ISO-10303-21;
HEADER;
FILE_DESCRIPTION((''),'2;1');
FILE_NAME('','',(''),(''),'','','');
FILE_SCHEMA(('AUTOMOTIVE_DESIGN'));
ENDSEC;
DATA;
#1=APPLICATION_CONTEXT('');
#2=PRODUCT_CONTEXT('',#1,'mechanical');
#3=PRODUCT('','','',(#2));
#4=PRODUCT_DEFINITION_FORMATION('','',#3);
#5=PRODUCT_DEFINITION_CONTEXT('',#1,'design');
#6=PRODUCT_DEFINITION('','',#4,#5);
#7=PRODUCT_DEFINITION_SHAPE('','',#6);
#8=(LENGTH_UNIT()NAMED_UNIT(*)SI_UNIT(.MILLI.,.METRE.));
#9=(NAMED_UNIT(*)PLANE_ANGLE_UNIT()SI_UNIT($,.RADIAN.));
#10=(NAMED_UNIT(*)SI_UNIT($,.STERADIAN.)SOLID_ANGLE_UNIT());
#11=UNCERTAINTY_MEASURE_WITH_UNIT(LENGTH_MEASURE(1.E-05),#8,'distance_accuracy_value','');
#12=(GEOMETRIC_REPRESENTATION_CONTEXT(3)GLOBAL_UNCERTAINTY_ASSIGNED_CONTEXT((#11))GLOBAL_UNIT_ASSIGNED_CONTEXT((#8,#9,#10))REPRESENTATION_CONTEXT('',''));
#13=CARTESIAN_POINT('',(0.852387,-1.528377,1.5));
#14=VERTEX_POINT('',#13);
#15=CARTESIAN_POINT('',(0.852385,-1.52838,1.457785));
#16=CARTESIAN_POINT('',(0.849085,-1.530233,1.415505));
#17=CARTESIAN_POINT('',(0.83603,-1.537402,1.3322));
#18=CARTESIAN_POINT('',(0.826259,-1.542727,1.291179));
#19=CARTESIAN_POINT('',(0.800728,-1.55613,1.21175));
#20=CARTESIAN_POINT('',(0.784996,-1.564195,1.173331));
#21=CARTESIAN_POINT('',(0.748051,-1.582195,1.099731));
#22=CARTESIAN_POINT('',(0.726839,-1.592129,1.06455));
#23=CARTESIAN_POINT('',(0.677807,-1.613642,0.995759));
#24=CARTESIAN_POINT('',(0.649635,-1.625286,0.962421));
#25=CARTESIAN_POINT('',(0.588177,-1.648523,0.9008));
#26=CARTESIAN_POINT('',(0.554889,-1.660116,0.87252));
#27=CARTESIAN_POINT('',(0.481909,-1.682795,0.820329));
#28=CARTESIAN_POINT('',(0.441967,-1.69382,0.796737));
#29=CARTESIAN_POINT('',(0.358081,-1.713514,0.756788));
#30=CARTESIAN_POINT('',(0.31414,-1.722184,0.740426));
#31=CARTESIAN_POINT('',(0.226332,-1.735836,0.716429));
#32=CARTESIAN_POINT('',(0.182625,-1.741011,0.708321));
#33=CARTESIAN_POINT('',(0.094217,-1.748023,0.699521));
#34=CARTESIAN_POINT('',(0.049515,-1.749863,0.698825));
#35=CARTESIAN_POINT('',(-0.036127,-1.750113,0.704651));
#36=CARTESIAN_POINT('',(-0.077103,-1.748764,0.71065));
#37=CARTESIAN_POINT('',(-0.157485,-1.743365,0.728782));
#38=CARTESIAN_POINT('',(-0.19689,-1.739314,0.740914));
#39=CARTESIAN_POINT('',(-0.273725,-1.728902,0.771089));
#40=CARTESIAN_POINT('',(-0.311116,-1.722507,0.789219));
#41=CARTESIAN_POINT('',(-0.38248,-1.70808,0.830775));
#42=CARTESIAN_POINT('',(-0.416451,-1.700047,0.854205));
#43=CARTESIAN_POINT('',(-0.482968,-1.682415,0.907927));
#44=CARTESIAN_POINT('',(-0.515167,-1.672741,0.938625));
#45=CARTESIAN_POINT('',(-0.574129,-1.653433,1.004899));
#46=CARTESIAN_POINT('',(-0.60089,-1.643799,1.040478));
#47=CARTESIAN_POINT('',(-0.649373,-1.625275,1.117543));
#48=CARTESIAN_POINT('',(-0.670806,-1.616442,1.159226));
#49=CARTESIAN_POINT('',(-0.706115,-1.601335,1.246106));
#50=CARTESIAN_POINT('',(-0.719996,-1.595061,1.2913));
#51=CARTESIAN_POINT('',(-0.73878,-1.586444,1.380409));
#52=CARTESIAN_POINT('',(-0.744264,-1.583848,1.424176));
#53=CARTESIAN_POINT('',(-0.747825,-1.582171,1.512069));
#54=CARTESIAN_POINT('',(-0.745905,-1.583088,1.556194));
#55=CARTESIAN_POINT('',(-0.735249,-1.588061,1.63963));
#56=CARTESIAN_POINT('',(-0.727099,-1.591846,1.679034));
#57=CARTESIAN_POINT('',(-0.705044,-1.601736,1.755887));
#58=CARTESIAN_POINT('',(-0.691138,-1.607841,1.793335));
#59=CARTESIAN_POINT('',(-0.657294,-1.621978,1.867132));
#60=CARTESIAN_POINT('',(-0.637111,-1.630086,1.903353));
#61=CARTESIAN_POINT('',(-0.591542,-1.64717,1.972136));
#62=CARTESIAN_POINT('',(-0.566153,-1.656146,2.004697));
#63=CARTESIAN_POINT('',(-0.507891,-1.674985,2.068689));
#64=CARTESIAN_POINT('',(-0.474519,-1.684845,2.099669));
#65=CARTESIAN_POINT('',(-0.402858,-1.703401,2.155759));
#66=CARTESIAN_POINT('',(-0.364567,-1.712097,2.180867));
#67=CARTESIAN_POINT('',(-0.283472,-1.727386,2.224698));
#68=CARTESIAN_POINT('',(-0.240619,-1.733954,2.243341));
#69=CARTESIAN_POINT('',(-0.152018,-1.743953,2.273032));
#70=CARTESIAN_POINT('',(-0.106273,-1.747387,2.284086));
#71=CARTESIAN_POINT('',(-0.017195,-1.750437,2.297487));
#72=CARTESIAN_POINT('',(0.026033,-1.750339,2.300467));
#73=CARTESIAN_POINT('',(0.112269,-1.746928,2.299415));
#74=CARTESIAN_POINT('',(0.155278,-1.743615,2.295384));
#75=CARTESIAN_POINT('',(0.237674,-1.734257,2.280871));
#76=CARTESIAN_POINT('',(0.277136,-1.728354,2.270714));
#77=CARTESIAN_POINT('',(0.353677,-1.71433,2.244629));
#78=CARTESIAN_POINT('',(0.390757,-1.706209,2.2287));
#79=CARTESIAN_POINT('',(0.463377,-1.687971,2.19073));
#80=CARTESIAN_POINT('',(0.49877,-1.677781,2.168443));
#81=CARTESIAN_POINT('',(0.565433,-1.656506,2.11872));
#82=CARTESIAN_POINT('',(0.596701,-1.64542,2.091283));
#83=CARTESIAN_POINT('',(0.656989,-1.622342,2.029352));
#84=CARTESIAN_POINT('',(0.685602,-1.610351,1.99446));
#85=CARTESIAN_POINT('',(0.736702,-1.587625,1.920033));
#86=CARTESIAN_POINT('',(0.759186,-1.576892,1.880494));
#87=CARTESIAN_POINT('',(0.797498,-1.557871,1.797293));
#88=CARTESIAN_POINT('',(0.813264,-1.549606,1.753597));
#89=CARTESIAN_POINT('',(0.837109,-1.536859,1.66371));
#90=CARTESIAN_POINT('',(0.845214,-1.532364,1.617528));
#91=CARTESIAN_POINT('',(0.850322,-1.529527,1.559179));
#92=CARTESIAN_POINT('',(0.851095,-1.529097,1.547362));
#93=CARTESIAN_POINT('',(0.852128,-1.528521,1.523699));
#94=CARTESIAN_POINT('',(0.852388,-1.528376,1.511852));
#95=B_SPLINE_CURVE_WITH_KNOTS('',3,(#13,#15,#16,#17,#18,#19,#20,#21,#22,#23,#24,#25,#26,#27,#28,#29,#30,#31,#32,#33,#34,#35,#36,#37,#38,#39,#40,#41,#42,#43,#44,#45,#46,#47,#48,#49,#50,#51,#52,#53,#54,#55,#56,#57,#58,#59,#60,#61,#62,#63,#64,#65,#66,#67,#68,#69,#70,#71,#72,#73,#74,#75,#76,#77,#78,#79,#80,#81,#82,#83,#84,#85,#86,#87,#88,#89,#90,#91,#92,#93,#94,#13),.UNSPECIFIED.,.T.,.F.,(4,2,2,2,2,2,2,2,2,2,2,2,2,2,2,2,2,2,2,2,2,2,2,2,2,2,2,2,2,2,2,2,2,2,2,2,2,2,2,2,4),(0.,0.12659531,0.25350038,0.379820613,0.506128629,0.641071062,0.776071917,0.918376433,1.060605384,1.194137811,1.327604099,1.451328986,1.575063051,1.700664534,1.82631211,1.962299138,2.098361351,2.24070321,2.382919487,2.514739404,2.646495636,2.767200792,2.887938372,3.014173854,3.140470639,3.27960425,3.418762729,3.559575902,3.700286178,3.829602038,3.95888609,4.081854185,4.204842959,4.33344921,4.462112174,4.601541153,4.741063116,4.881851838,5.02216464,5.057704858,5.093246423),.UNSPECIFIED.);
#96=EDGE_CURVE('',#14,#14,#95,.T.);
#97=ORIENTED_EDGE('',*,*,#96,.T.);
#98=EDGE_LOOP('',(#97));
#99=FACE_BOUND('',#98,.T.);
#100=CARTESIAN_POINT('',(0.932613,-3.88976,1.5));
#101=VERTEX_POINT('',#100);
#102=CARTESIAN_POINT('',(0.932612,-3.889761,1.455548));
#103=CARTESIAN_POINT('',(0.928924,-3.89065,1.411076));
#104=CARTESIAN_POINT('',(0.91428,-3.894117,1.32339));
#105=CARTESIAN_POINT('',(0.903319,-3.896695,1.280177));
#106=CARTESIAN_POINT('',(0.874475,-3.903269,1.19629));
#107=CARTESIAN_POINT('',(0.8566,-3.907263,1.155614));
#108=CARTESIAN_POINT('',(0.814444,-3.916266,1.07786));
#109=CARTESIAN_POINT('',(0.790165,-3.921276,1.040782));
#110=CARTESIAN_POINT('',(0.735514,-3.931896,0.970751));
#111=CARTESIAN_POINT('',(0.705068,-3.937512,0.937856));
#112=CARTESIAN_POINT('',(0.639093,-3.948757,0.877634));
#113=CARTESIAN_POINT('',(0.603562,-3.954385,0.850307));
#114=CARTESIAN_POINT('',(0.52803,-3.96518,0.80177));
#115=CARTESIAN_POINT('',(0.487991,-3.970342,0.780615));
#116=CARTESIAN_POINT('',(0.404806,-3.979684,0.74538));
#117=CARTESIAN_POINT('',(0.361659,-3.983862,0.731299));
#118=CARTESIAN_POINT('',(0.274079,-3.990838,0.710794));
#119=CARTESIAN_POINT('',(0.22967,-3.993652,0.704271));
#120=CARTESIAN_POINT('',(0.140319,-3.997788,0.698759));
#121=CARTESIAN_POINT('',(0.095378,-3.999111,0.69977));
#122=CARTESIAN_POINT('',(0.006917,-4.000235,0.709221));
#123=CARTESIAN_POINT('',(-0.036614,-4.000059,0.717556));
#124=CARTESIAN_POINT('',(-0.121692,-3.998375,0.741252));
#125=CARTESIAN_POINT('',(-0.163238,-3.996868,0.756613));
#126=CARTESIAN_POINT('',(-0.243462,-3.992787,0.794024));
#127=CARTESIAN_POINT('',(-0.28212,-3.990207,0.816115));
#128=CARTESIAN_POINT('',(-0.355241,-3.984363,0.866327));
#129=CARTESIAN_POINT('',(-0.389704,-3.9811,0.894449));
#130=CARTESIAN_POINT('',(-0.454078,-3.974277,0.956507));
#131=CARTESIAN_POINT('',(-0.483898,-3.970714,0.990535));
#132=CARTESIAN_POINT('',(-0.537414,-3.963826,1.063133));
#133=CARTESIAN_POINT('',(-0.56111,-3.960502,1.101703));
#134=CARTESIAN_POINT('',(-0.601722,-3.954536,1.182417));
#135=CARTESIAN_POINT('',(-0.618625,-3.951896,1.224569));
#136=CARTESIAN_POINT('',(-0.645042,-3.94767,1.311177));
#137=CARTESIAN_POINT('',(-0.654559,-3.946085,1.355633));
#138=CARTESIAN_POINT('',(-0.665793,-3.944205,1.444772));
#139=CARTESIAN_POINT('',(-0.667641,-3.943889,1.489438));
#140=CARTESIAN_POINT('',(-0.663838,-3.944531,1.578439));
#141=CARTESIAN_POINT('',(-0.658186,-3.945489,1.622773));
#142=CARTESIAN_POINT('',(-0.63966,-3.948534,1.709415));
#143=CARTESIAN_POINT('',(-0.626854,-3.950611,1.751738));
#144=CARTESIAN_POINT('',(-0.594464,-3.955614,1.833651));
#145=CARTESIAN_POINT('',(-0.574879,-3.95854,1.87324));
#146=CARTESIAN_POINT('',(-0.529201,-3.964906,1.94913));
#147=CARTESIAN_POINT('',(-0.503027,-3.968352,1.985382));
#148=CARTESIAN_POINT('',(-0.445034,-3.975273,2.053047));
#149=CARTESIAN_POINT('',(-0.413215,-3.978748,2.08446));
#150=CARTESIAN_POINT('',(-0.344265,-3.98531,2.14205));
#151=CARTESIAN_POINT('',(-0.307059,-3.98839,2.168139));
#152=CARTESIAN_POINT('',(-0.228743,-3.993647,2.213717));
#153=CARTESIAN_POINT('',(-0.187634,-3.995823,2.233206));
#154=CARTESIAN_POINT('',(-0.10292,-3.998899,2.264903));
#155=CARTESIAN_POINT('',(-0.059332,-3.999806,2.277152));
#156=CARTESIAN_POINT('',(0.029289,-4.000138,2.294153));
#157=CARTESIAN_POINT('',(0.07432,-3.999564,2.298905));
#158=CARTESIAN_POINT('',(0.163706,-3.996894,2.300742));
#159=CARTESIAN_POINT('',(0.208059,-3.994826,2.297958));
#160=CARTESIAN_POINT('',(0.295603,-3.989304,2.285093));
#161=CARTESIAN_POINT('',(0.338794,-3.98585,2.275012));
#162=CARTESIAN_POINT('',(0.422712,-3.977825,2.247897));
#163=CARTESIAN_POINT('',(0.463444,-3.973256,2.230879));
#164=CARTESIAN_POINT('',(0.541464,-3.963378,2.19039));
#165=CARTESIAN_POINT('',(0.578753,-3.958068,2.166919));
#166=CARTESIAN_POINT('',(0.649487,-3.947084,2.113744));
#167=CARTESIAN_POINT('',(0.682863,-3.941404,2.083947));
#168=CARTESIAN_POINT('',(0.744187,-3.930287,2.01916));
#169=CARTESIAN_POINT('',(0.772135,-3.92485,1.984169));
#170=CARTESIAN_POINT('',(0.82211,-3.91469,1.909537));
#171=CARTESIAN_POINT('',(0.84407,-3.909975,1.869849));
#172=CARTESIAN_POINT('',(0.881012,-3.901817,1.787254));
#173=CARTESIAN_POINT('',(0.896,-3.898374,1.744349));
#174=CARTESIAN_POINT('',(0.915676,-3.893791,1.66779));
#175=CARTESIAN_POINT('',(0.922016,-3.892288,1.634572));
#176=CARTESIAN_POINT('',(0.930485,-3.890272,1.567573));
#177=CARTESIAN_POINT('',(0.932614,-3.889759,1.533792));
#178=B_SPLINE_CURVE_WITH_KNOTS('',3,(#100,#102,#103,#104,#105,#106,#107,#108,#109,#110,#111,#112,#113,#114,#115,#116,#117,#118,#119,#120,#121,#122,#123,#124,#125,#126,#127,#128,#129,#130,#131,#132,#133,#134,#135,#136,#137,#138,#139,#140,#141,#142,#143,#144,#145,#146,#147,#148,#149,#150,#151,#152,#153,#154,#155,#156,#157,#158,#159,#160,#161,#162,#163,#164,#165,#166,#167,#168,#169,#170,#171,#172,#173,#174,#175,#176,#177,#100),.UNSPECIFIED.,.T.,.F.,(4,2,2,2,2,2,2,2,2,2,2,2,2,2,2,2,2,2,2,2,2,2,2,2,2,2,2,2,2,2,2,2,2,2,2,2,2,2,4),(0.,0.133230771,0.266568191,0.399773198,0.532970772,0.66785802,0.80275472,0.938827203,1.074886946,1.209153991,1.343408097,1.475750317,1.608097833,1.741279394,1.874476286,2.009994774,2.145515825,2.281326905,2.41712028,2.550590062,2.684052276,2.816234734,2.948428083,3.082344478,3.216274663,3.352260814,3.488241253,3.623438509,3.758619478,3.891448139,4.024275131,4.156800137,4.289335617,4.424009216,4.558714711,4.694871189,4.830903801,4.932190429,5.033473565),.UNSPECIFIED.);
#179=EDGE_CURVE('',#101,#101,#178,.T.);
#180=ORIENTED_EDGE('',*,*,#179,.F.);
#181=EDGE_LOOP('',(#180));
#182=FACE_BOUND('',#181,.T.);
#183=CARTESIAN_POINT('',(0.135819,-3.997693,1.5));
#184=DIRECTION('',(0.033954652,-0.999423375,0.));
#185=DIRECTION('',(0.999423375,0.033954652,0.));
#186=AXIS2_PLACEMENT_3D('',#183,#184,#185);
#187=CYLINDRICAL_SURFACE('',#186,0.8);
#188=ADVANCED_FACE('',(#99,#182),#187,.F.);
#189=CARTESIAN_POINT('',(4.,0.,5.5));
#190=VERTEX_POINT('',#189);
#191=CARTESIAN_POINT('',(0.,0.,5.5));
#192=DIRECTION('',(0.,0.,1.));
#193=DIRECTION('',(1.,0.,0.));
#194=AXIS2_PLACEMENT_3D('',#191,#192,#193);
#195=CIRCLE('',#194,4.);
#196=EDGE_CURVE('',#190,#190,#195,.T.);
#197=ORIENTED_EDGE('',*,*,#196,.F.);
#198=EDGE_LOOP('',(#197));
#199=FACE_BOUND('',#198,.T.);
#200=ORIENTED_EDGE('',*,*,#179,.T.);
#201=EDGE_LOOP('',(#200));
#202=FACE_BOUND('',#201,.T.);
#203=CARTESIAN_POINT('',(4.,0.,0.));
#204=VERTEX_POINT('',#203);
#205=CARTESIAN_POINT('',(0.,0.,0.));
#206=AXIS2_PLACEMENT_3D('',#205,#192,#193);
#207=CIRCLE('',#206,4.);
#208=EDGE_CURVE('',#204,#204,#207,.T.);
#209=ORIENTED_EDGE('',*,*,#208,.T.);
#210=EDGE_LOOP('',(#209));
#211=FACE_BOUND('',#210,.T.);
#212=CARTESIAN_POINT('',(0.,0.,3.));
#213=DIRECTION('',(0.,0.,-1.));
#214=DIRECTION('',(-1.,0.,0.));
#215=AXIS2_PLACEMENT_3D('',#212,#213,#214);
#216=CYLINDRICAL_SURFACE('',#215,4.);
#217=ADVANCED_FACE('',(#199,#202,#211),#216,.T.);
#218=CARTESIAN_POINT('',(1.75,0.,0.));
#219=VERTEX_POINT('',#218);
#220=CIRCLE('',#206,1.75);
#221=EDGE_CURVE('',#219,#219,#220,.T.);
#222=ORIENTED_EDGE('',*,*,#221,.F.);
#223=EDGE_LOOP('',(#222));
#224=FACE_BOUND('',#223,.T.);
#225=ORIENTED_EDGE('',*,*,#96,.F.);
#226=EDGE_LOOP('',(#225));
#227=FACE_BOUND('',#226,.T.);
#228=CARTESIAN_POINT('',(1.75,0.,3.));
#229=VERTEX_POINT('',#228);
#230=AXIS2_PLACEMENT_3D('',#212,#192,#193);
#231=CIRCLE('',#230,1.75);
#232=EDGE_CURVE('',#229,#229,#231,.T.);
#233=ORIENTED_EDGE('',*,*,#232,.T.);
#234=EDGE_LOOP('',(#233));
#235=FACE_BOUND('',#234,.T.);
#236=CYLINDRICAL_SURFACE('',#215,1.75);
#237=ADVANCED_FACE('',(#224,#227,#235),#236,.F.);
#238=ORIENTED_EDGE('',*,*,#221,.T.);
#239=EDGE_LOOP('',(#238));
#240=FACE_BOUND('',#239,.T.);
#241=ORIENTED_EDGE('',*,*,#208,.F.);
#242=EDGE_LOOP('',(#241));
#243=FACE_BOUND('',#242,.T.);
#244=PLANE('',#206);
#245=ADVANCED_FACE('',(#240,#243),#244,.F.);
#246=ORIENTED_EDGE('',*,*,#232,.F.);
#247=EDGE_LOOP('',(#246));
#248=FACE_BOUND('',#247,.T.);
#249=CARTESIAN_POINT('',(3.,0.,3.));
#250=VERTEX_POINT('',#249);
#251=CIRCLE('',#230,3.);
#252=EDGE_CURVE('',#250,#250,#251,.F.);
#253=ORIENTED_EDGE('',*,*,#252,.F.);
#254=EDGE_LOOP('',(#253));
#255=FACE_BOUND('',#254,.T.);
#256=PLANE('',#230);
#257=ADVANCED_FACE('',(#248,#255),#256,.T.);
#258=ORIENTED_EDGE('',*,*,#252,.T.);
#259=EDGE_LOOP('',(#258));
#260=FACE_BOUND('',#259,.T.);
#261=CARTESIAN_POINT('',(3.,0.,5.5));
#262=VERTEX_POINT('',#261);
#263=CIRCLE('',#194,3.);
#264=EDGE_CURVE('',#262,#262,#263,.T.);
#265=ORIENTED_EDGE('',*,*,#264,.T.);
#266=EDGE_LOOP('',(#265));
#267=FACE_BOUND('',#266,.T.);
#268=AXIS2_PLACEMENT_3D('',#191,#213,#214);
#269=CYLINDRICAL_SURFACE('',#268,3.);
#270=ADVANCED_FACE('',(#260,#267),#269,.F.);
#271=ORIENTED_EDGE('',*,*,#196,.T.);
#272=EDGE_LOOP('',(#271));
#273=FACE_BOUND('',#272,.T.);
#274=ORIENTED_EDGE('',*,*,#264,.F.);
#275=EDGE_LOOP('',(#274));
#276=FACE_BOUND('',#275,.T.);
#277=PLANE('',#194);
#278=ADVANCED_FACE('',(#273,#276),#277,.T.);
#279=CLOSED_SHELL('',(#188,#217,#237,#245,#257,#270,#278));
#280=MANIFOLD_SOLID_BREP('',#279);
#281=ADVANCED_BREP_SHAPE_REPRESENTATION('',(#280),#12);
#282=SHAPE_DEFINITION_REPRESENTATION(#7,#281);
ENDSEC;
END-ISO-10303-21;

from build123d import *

# Parameters (mm, degrees)
SKETCH1_R                        = 4
SKETCH1_R_2                      = 1.75
BOSS_EXTRUDE1_DEPTH              = 3
SKETCH2_R                        = 4
SKETCH2_R_2                      = 3
BOSS_EXTRUDE2_DEPTH              = 2.5
TAP_DRILL_FOR_M2X0_4_TAP1_REACH  = 11.852
TAP_DRILL_FOR_M2X0_4_TAP1_BORE_R = 0.8


with BuildPart() as part:
    # Sketch1 → Boss-Extrude1 (new body)
    with BuildSketch(Plane.XY):
        Circle(SKETCH1_R)
        Circle(SKETCH1_R_2, mode=Mode.SUBTRACT)
    extrude(amount=BOSS_EXTRUDE1_DEPTH)

    # Sketch2 → Boss-Extrude2 (add)
    with BuildSketch(Plane.XY.offset(3)):
        Circle(SKETCH2_R)
        Circle(SKETCH2_R_2, mode=Mode.SUBTRACT)
    extrude(amount=BOSS_EXTRUDE2_DEPTH)

    # Tap Drill for M2x0.4 Tap1 bore (on position points) → Tap Drill for M2x0.4 Tap1 (cut, up to next)
    with BuildSketch(Plane(origin=(0.135818607, -3.997693498, 1.5), x_dir=(-0.999423374561, -0.033954651826, 0), z_dir=(0.033954651826, -0.999423374561, 0)), mode=Mode.PRIVATE) as tap_drill_for_m2x0_4_tap1_sk1:
        Circle(TAP_DRILL_FOR_M2X0_4_TAP1_BORE_R)
    tap_drill_for_m2x0_4_tap1_tool1 = extrude(tap_drill_for_m2x0_4_tap1_sk1.sketch, amount=-TAP_DRILL_FOR_M2X0_4_TAP1_REACH, mode=Mode.PRIVATE) & part.part
    add(tap_drill_for_m2x0_4_tap1_tool1.solids().sort_by_distance((0.135819, -3.997693, 1.5))[0], mode=Mode.SUBTRACT)


solid = part.part
